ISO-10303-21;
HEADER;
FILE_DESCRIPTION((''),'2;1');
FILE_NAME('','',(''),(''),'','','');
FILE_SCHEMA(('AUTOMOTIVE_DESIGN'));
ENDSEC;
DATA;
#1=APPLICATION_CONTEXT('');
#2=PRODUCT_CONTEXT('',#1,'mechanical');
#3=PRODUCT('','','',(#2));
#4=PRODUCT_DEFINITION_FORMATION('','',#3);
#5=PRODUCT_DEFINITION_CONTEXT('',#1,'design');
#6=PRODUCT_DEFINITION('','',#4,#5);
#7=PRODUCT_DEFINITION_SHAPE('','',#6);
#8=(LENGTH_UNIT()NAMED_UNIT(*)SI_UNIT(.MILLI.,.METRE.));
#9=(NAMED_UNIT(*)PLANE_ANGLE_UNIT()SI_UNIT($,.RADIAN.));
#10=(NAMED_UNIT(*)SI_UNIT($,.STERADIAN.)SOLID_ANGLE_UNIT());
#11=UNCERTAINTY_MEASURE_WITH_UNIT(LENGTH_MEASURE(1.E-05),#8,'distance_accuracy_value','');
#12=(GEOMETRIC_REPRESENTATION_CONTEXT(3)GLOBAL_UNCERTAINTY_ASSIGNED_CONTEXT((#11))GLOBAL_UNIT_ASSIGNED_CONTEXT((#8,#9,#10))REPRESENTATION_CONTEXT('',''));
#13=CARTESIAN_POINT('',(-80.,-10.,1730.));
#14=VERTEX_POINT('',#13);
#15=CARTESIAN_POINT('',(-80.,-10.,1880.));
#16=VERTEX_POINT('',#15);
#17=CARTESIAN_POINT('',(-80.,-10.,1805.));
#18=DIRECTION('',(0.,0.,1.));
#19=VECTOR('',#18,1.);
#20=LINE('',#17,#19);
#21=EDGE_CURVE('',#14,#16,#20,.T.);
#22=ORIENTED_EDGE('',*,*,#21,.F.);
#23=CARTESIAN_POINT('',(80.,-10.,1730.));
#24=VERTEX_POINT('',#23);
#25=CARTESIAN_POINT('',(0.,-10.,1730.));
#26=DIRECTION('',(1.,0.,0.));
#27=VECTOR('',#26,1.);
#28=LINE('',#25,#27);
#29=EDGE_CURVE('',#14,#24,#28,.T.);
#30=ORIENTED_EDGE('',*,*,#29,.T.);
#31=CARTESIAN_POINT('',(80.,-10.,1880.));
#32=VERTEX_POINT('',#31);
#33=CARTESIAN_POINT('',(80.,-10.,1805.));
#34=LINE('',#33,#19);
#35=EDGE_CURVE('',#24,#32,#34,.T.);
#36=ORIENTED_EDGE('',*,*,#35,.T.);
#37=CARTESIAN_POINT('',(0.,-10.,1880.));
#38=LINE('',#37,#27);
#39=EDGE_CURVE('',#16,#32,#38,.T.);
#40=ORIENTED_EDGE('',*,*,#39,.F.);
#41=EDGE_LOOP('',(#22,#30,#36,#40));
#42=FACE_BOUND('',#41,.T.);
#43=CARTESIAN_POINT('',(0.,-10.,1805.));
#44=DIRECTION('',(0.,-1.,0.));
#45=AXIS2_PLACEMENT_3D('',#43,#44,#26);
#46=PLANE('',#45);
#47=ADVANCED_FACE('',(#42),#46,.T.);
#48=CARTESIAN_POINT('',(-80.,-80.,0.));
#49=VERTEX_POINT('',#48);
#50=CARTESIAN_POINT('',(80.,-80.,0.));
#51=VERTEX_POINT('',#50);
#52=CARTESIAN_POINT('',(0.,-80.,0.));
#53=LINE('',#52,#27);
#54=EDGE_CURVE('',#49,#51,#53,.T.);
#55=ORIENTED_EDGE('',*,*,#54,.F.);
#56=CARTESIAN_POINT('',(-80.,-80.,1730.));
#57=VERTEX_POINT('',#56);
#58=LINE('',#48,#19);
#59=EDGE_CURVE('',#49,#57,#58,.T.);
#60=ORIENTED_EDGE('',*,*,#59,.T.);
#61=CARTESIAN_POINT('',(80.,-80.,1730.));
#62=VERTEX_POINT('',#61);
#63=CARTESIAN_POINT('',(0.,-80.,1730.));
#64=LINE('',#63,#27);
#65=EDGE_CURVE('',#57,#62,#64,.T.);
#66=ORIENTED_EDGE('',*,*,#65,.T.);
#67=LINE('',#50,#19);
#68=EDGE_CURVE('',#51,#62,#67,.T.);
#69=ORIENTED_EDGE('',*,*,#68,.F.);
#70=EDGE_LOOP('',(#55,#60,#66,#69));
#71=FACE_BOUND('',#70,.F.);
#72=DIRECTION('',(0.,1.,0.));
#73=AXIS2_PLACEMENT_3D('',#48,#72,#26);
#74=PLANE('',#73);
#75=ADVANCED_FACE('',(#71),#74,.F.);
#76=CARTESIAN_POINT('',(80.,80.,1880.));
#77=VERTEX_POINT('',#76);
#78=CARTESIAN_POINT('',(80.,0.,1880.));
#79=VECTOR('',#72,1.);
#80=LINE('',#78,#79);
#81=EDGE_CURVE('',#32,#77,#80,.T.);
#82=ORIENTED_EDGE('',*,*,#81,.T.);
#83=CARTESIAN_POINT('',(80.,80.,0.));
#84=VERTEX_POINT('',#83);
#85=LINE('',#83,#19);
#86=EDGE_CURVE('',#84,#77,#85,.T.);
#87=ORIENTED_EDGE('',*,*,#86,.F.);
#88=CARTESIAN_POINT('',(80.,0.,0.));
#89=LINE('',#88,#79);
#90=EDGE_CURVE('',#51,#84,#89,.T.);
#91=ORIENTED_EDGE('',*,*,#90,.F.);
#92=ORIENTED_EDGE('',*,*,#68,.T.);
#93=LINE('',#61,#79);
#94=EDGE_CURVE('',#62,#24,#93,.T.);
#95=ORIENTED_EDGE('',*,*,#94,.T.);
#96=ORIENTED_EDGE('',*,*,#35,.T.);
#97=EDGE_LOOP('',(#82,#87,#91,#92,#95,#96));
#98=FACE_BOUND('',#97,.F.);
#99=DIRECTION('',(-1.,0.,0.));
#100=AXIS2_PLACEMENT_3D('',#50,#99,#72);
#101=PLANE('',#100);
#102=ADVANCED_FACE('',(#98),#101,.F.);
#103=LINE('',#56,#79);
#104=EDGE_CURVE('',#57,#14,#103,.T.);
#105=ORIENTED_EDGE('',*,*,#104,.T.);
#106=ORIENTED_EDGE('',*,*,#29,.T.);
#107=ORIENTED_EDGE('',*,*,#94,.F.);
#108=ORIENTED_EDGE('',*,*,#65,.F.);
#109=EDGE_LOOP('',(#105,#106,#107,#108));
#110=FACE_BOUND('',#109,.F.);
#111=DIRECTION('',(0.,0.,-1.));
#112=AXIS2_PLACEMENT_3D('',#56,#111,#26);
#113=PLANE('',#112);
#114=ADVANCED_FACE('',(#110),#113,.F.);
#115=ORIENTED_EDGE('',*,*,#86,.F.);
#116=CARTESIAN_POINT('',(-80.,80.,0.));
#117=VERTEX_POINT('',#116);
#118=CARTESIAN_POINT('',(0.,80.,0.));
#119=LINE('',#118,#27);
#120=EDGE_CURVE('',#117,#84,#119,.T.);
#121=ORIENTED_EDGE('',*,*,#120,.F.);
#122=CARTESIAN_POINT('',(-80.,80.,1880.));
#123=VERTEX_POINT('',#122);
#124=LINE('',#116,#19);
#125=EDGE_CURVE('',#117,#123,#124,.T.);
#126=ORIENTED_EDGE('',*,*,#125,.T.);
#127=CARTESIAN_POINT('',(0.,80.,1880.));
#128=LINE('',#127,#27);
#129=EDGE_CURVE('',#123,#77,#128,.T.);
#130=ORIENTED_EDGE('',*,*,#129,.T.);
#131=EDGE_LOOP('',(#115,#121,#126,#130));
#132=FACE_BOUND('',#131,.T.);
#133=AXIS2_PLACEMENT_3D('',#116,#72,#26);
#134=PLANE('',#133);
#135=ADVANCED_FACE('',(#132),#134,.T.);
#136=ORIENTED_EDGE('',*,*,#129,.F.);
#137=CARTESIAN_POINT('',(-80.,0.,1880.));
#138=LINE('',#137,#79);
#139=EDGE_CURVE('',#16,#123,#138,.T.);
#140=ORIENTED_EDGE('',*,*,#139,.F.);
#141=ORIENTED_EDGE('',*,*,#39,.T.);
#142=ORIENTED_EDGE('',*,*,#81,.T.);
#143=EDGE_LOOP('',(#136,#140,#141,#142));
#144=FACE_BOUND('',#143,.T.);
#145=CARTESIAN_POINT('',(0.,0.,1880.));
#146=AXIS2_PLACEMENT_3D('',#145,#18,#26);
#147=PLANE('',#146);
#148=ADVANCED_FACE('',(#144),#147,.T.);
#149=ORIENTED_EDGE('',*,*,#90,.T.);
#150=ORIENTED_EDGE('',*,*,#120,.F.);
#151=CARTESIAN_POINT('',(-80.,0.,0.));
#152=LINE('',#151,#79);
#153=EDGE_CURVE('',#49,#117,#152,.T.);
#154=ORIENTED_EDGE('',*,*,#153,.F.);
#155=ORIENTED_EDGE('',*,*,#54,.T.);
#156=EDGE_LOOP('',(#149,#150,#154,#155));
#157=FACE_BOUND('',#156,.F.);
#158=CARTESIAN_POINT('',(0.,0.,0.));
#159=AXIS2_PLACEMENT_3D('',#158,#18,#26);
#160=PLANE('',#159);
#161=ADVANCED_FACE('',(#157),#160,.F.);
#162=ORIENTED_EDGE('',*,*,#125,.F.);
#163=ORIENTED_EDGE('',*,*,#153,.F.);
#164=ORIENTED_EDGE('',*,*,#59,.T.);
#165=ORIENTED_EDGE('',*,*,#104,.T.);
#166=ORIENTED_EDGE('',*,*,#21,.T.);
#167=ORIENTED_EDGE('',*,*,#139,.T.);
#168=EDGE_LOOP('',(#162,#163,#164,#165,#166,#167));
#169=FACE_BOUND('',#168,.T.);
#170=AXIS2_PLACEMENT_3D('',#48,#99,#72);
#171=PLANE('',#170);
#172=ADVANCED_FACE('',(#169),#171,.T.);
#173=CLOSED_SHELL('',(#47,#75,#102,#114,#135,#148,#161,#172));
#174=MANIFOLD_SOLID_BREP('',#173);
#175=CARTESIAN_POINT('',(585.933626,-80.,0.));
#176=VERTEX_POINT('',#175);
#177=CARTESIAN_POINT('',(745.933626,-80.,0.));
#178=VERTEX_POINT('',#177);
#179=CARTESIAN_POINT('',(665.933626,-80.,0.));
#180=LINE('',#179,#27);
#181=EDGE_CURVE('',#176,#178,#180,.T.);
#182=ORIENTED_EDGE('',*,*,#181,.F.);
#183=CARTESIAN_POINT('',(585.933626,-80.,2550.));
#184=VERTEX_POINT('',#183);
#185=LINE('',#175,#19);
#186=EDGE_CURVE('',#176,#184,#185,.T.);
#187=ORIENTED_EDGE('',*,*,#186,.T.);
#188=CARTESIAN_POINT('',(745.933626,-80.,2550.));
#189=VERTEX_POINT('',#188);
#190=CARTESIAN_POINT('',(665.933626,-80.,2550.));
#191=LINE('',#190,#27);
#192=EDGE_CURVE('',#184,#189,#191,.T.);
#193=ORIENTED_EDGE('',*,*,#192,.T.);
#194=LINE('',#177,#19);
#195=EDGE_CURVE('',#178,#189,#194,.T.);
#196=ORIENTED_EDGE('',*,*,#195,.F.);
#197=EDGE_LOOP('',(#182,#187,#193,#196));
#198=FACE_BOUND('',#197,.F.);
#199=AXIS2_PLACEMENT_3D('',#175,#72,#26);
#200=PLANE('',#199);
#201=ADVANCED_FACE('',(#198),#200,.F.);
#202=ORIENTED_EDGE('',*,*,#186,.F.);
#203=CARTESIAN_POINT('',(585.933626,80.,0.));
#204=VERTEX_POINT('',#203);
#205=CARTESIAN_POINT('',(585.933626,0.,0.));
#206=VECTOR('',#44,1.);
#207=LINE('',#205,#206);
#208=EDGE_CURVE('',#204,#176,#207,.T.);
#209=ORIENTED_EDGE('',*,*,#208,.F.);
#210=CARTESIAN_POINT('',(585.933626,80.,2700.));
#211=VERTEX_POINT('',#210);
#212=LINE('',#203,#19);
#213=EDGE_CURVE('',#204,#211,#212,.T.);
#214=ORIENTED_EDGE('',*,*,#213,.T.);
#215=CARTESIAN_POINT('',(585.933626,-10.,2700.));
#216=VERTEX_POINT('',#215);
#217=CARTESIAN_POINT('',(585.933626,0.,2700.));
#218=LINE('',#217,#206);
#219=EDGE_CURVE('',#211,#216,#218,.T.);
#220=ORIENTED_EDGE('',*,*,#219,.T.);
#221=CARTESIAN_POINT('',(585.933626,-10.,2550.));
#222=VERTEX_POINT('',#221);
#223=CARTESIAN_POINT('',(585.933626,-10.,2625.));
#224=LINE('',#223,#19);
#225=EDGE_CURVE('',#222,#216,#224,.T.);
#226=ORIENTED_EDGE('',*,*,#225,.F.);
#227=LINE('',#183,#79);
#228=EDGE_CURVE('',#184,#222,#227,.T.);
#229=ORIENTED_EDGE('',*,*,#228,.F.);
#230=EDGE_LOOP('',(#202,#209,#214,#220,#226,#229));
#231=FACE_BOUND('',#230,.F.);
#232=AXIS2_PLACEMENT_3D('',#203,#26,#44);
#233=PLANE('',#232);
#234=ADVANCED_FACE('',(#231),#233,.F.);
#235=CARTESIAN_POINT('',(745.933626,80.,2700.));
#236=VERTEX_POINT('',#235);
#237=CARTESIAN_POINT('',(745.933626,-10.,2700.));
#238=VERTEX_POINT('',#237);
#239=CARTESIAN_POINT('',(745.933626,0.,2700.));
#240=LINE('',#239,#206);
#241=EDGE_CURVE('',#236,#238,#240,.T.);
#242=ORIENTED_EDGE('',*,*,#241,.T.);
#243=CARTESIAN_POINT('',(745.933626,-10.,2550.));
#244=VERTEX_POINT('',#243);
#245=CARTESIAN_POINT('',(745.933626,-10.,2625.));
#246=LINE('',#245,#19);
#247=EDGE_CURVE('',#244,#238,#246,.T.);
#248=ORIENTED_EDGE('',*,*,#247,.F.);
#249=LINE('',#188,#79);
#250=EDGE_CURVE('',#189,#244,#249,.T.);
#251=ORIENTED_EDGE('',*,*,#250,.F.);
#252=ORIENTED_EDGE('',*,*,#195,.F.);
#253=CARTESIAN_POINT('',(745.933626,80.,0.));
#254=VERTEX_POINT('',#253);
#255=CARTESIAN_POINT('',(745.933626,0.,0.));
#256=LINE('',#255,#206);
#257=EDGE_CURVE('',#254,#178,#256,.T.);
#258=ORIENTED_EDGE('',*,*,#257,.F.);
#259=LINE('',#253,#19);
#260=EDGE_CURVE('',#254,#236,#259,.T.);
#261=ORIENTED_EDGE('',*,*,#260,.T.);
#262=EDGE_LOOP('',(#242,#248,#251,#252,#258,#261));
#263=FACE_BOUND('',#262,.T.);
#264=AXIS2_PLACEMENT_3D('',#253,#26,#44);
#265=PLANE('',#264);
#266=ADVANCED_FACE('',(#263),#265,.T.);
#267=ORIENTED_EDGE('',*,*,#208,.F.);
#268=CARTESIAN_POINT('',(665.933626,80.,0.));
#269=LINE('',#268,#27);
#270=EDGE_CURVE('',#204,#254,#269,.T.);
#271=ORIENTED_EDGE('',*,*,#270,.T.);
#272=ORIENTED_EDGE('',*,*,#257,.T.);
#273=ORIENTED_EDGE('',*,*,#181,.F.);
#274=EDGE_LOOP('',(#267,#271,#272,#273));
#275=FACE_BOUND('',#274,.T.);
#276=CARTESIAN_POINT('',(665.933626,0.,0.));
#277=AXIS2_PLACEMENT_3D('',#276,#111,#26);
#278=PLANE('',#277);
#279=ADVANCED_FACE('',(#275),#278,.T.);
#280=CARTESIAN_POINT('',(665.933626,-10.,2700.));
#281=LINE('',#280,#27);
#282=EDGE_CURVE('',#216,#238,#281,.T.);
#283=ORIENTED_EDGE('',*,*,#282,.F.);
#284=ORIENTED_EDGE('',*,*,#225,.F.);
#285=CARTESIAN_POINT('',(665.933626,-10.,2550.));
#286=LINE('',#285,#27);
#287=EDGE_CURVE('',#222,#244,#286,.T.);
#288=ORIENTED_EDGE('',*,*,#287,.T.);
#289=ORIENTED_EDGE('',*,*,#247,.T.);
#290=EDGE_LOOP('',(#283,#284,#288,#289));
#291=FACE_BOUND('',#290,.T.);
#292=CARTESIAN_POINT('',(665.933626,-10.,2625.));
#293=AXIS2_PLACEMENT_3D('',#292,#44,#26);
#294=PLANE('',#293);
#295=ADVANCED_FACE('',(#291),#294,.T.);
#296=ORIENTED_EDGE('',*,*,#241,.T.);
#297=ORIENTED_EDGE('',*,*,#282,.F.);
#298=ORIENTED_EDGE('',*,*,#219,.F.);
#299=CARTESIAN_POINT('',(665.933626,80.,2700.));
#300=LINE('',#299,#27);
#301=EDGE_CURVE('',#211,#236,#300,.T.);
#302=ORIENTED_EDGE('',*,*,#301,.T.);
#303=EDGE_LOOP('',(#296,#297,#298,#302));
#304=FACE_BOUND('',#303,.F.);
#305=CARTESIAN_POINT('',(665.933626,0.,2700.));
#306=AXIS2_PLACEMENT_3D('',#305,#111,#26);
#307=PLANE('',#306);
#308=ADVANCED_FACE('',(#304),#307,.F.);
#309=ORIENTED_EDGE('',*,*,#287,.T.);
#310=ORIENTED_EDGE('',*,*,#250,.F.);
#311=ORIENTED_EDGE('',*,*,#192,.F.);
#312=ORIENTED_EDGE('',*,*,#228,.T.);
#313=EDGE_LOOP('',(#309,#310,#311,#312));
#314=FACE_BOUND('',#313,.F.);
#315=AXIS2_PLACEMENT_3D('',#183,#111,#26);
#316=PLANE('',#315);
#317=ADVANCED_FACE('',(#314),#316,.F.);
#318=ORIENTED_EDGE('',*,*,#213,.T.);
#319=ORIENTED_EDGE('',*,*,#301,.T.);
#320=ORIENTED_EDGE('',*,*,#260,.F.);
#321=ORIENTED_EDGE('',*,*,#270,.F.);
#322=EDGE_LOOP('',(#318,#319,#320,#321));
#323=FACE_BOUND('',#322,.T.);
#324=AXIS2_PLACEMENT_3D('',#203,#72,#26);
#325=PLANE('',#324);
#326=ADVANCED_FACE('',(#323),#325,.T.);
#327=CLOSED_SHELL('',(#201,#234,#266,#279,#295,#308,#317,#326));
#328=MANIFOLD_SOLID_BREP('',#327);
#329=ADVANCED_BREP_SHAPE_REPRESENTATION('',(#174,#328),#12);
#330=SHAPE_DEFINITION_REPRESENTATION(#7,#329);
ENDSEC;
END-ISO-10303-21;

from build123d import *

# Parameters (mm, degrees)
F0_W     = 160
F0_H     = 160
F1_DEPTH = 1880
F2_W     = 160
F2_H     = 150
F3_DEPTH = 70
F4_W     = 160
F4_H     = 160
F5_DEPTH = 2700
F6_W     = 160
F6_H     = 150
F7_DEPTH = 70


with BuildPart() as f1:
    # F0 (on Top) → F1 (new body)
    with BuildSketch(Plane.XY):
        Rectangle(F0_W, F0_H)
    extrude(amount=F1_DEPTH)

    # F2 (on face) → F3 (cut)
    with BuildSketch(Plane.XZ.offset(80)):
        with Locations((0, 1805)):
            Rectangle(F2_W, F2_H)
    extrude(amount=-F3_DEPTH, mode=Mode.SUBTRACT)


with BuildPart() as f5:
    # F4 (on face) → F5 (new body)
    with BuildSketch(Plane(origin=(0, 0, 0), x_dir=(1, 0, 0), z_dir=(0, 0, -1))):
        with Locations((665.933626, 0)):
            Rectangle(F4_W, F4_H)
    extrude(amount=-F5_DEPTH)

    # F6 (on face) → F7 (cut)
    with BuildSketch(Plane.XZ.offset(80)):
        with Locations((665.933626, 2625)):
            Rectangle(F6_W, F6_H)
    extrude(amount=-F7_DEPTH, mode=Mode.SUBTRACT)


solid = Compound([f1.part, f5.part])
